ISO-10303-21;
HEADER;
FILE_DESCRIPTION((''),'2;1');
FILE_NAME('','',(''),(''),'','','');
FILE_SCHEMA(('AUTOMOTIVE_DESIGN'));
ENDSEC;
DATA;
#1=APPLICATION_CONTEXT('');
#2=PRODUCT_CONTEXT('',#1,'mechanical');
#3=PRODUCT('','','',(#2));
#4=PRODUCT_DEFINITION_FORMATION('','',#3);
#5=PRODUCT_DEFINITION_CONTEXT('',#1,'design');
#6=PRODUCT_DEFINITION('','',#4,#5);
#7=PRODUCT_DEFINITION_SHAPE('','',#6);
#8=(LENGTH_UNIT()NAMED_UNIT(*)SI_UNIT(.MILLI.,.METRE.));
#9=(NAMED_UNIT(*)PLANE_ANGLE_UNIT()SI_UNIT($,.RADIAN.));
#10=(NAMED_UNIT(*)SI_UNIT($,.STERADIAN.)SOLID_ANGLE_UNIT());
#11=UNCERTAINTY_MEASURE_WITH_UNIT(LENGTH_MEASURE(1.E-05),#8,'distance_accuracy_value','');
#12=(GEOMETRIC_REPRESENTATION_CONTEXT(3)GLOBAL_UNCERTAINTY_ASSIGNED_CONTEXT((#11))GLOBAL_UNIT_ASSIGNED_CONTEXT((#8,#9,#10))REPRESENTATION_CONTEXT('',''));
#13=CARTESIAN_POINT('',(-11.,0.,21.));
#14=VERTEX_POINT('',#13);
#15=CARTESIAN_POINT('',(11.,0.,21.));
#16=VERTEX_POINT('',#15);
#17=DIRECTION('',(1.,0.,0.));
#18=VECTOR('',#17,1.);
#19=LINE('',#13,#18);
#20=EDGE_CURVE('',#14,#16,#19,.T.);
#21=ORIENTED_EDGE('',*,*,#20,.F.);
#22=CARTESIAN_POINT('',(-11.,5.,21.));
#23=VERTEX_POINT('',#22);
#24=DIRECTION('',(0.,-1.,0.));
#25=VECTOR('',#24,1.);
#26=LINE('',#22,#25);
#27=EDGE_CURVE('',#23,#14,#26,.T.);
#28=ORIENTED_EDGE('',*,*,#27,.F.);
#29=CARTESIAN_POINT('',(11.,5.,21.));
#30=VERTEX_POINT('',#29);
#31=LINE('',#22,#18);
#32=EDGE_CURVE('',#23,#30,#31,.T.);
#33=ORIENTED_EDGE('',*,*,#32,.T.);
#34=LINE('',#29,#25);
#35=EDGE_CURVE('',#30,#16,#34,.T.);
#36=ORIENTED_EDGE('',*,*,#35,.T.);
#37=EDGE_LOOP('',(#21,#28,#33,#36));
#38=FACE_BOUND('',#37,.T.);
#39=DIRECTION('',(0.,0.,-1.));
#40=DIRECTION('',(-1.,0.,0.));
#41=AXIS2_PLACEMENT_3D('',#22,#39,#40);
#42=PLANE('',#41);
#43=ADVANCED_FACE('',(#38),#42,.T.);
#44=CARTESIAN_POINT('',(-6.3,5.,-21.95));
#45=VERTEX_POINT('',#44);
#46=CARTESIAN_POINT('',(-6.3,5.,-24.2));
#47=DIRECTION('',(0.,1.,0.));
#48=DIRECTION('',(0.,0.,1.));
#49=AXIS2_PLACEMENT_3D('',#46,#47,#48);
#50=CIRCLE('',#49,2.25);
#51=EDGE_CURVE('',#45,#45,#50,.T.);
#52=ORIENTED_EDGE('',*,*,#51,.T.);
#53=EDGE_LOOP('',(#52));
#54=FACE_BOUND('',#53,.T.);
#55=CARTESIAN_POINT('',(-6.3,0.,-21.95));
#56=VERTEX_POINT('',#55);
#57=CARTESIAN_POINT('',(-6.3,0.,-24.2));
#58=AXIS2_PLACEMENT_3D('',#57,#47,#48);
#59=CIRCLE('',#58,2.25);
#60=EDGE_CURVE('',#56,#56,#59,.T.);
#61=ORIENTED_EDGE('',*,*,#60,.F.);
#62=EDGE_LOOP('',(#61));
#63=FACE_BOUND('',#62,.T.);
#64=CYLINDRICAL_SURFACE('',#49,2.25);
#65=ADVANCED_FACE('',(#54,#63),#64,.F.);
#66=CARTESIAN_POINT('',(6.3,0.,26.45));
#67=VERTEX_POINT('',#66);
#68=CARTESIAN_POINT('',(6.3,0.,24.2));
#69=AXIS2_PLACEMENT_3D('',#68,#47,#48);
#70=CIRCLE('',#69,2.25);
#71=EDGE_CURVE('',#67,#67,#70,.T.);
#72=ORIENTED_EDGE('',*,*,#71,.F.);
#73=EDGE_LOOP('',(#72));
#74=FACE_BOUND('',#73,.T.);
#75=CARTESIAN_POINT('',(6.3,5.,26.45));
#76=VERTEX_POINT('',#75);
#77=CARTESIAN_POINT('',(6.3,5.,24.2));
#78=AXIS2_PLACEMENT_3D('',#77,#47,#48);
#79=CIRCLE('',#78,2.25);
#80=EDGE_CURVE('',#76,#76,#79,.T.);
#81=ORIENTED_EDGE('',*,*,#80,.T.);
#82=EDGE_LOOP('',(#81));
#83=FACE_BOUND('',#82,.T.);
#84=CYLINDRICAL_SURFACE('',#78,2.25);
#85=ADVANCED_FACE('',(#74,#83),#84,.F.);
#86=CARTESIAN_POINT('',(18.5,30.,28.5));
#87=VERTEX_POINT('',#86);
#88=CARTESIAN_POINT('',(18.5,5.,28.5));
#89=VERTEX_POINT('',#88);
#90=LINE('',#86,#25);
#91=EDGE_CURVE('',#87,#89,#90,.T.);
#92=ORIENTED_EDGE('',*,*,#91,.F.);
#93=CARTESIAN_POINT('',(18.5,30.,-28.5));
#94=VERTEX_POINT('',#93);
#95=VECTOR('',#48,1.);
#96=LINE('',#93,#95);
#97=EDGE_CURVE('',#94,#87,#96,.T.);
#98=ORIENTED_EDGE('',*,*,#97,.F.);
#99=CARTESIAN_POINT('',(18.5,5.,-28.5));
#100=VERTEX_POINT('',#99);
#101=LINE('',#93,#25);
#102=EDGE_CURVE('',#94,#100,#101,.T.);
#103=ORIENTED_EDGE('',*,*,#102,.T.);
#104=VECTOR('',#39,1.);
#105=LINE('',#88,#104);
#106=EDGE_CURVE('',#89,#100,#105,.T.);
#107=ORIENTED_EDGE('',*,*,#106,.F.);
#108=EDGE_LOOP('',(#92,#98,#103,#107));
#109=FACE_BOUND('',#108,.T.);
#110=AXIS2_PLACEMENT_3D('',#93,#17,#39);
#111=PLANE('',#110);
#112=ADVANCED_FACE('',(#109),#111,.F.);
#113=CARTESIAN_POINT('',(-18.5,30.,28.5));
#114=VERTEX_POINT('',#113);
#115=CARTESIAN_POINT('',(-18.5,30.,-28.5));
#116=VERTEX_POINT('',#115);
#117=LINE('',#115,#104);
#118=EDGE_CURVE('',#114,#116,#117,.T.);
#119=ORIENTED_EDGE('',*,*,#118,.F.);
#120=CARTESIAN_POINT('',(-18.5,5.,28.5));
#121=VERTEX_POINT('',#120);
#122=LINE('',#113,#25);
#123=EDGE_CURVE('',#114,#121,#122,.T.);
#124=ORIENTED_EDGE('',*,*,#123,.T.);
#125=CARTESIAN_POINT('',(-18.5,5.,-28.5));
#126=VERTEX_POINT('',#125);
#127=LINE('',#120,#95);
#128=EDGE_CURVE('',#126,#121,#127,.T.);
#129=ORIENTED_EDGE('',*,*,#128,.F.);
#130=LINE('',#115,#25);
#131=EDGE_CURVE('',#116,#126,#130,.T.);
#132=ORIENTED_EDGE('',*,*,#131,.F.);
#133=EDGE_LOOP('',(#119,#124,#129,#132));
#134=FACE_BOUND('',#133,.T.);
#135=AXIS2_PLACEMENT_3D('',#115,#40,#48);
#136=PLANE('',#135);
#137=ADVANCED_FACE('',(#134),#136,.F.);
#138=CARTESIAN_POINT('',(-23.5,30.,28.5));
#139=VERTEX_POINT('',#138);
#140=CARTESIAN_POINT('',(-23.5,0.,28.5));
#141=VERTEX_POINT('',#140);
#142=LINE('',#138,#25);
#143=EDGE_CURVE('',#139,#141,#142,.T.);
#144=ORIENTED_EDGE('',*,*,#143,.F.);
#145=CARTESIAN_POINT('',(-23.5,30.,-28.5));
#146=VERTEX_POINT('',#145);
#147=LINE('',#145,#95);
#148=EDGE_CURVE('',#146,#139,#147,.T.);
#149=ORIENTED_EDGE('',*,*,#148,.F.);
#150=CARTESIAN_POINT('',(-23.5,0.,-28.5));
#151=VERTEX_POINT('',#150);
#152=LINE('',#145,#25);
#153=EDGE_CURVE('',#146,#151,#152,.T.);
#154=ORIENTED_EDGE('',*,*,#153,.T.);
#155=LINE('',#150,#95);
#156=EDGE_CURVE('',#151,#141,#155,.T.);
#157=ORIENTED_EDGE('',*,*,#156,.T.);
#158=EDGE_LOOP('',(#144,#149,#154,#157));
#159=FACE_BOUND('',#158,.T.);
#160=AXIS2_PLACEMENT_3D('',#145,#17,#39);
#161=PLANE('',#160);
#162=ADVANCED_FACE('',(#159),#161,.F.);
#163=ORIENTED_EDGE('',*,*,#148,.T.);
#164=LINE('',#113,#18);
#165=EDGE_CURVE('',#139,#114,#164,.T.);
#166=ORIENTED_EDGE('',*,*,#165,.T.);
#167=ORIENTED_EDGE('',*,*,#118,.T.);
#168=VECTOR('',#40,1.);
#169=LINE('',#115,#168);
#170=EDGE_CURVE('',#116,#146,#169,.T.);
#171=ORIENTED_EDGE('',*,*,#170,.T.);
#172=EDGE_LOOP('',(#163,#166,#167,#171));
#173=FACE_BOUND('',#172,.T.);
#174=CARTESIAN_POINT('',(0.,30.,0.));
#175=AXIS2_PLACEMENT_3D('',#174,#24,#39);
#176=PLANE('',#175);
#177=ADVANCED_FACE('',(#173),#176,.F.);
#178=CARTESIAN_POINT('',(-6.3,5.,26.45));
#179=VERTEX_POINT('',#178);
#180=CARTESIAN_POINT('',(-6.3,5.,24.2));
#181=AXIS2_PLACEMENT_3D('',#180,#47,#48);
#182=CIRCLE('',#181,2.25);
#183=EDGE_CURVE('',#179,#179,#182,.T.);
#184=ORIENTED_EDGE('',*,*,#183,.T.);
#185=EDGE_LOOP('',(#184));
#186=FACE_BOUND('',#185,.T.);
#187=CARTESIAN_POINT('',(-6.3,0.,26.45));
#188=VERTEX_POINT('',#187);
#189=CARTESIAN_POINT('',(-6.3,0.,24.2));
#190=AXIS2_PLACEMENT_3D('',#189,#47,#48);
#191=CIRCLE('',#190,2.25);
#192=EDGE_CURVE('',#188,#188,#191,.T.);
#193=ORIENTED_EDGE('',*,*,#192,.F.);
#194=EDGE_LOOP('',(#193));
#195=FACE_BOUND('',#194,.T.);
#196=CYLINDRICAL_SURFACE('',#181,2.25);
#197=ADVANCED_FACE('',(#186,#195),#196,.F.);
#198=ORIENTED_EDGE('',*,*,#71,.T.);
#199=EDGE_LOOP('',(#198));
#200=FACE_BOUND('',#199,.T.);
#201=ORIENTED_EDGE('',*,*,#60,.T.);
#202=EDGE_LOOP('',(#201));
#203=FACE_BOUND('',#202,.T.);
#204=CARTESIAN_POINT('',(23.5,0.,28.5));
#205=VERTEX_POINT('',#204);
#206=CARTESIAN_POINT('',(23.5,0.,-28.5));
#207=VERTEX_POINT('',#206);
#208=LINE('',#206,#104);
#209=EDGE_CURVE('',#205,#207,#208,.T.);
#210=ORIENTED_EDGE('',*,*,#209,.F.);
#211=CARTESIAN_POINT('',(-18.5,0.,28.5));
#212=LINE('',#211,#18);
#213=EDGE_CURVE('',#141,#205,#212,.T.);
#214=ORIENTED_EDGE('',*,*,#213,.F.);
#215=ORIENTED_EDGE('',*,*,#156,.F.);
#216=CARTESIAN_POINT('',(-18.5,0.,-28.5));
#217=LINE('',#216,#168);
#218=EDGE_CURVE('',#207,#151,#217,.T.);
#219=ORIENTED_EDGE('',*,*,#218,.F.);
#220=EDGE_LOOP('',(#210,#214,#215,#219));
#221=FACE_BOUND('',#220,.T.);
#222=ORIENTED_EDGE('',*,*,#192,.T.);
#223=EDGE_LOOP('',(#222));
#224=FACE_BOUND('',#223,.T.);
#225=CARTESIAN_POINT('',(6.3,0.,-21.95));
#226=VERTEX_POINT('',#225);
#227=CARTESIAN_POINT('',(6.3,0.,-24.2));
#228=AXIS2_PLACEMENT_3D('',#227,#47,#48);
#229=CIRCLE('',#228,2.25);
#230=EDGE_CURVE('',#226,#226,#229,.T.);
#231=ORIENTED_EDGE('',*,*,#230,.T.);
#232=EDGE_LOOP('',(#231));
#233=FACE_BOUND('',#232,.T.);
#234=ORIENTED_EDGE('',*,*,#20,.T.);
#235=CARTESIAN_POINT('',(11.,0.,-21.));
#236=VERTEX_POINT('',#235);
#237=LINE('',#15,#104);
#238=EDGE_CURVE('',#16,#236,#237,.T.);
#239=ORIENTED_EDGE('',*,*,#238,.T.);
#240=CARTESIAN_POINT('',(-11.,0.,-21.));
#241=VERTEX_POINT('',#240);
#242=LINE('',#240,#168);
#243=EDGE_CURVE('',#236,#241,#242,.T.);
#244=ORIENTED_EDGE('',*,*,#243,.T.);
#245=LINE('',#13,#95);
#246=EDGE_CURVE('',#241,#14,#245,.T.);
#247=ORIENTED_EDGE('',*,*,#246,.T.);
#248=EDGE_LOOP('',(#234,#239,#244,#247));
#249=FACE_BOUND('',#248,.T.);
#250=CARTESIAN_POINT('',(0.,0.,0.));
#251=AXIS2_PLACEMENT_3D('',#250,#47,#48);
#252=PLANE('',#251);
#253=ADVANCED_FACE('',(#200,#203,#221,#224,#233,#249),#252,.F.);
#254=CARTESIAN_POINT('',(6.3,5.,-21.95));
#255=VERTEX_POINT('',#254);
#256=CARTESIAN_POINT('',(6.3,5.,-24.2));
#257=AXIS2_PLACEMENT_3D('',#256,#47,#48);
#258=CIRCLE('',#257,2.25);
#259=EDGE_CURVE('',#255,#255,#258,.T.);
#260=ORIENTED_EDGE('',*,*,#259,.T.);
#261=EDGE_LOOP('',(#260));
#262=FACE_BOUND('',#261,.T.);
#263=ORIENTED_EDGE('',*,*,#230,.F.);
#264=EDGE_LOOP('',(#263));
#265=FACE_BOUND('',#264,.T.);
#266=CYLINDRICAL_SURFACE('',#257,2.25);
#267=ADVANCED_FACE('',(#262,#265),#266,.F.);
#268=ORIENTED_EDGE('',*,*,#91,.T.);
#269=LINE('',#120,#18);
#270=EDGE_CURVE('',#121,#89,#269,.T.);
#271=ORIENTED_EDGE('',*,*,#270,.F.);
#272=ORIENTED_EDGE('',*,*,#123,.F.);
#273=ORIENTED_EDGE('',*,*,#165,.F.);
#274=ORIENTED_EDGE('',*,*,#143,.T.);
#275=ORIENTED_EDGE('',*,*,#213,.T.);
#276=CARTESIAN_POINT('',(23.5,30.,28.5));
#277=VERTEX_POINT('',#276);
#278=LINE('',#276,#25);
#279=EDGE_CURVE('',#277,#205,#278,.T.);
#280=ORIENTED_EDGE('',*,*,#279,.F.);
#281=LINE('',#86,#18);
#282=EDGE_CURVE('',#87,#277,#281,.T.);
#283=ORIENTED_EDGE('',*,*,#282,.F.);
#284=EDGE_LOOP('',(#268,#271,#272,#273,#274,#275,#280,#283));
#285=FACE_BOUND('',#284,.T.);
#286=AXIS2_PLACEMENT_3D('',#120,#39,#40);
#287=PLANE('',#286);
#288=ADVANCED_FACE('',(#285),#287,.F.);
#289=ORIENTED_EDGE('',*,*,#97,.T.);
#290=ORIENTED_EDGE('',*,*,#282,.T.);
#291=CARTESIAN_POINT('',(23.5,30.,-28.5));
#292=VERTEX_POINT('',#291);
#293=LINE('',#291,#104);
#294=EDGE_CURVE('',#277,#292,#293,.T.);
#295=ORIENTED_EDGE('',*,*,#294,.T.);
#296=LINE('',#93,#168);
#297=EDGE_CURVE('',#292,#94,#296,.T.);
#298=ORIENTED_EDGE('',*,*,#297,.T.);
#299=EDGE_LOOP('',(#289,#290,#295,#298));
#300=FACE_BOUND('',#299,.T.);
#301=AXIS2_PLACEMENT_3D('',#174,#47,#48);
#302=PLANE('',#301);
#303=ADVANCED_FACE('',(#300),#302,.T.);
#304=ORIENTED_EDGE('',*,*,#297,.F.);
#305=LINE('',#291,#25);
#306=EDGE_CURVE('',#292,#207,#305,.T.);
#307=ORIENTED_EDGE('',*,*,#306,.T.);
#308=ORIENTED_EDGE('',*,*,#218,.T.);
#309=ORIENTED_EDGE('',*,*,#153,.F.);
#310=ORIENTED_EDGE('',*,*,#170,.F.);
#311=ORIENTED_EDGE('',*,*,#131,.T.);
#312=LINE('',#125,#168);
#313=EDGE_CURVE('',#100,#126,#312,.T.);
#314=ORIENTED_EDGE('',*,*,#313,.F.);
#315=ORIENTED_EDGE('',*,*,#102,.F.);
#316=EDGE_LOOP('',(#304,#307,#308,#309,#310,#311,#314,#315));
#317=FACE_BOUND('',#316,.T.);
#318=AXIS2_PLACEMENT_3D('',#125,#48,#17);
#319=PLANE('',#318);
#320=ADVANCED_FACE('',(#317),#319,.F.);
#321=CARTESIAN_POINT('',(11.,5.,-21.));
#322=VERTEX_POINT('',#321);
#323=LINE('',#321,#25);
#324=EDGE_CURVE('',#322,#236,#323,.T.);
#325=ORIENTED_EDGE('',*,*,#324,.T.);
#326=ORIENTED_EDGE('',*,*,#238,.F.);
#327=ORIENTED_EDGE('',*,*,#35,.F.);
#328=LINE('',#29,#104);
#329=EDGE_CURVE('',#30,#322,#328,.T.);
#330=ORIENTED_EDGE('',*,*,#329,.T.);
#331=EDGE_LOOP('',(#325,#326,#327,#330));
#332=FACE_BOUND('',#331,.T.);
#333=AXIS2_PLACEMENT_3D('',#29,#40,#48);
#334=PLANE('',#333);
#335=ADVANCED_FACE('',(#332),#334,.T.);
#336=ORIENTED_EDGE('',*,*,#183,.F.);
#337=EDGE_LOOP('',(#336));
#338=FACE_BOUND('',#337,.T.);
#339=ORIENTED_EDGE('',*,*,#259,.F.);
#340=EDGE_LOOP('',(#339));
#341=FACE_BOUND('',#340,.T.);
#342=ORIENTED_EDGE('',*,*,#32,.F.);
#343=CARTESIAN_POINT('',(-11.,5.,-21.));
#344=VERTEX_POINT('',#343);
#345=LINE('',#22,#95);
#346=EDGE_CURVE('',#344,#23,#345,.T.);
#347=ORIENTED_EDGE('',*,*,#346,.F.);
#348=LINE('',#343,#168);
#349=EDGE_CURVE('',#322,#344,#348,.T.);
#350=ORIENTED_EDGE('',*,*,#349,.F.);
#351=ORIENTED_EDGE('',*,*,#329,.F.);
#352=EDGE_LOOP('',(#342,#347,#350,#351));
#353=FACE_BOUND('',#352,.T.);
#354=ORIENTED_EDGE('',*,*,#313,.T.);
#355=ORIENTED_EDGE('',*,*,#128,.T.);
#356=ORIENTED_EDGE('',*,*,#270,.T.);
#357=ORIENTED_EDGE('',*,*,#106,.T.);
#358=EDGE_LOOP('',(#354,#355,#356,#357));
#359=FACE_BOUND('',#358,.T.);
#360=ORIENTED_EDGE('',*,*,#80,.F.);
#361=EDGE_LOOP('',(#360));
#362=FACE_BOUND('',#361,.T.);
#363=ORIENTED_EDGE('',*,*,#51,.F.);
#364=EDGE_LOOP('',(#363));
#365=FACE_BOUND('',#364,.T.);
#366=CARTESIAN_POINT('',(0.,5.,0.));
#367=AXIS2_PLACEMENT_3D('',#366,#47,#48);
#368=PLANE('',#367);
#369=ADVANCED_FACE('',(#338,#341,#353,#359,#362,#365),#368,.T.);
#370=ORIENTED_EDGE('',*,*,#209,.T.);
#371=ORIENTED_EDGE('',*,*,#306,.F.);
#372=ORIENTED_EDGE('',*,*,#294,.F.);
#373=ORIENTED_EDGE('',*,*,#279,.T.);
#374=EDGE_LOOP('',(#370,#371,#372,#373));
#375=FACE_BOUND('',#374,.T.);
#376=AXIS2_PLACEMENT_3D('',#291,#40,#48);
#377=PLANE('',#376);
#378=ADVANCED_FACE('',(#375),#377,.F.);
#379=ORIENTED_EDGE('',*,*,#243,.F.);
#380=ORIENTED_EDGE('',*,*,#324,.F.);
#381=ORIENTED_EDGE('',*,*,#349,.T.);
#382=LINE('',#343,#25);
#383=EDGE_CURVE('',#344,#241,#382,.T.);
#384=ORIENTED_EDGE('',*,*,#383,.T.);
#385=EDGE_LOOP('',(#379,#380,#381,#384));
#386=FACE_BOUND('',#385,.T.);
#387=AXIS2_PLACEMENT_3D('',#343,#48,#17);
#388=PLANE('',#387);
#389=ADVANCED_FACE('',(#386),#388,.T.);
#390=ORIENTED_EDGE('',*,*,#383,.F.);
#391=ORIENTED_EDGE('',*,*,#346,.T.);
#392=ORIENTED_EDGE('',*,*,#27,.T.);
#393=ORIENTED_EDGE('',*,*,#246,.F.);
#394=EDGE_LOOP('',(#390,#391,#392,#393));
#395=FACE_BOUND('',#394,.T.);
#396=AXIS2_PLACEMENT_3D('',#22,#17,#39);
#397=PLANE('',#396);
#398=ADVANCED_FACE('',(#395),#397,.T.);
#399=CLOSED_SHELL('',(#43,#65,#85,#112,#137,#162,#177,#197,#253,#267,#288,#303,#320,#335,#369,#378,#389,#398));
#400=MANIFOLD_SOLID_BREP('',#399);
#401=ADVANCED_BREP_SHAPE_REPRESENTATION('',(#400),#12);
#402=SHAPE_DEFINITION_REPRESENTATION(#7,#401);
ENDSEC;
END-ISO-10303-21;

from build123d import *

# Parameters (mm, degrees)
SKETCH1_W            = 37
SKETCH1_H            = 57
SKETCH1_W_2          = 22
SKETCH1_H_2          = 42
BOSS_EXTRUDE1_DEPTH  = 5
M4_CLEARANCE_HOLE1_D = 4.5
SKETCH4_W            = 5
SKETCH4_H            = 57
BOSS_EXTRUDE2_DEPTH  = 30


with BuildPart() as part:
    # Sketch1 → Boss-Extrude1 (new body)
    with BuildSketch(Plane(origin=(0, 0, 0), x_dir=(1, 0, 0), z_dir=(0, 1, 0))):
        Rectangle(SKETCH1_W, SKETCH1_H)
        Rectangle(SKETCH1_W_2, SKETCH1_H_2, mode=Mode.SUBTRACT)
    extrude(amount=BOSS_EXTRUDE1_DEPTH)

    # M4 Clearance Hole1 (through all)
    with Locations(Plane(origin=(0, 5, 0), x_dir=(1, 0, 0), z_dir=(0, 1, 0))):
        with Locations((-6.3, 24.2), (6.3, 24.2), (-6.3, -24.2), (6.3, -24.2)):
            Hole(M4_CLEARANCE_HOLE1_D / 2)

    # Sketch4 → Boss-Extrude2 (add)
    with BuildSketch(Plane(origin=(0, 0, 0), x_dir=(1, 0, 0), z_dir=(0, 1, 0))):
        with Locations((-21, 0)):
            Rectangle(SKETCH4_W, SKETCH4_H)
        with Locations((21, 0)):
            Rectangle(SKETCH4_W, SKETCH4_H)
    extrude(amount=BOSS_EXTRUDE2_DEPTH)


solid = part.part
